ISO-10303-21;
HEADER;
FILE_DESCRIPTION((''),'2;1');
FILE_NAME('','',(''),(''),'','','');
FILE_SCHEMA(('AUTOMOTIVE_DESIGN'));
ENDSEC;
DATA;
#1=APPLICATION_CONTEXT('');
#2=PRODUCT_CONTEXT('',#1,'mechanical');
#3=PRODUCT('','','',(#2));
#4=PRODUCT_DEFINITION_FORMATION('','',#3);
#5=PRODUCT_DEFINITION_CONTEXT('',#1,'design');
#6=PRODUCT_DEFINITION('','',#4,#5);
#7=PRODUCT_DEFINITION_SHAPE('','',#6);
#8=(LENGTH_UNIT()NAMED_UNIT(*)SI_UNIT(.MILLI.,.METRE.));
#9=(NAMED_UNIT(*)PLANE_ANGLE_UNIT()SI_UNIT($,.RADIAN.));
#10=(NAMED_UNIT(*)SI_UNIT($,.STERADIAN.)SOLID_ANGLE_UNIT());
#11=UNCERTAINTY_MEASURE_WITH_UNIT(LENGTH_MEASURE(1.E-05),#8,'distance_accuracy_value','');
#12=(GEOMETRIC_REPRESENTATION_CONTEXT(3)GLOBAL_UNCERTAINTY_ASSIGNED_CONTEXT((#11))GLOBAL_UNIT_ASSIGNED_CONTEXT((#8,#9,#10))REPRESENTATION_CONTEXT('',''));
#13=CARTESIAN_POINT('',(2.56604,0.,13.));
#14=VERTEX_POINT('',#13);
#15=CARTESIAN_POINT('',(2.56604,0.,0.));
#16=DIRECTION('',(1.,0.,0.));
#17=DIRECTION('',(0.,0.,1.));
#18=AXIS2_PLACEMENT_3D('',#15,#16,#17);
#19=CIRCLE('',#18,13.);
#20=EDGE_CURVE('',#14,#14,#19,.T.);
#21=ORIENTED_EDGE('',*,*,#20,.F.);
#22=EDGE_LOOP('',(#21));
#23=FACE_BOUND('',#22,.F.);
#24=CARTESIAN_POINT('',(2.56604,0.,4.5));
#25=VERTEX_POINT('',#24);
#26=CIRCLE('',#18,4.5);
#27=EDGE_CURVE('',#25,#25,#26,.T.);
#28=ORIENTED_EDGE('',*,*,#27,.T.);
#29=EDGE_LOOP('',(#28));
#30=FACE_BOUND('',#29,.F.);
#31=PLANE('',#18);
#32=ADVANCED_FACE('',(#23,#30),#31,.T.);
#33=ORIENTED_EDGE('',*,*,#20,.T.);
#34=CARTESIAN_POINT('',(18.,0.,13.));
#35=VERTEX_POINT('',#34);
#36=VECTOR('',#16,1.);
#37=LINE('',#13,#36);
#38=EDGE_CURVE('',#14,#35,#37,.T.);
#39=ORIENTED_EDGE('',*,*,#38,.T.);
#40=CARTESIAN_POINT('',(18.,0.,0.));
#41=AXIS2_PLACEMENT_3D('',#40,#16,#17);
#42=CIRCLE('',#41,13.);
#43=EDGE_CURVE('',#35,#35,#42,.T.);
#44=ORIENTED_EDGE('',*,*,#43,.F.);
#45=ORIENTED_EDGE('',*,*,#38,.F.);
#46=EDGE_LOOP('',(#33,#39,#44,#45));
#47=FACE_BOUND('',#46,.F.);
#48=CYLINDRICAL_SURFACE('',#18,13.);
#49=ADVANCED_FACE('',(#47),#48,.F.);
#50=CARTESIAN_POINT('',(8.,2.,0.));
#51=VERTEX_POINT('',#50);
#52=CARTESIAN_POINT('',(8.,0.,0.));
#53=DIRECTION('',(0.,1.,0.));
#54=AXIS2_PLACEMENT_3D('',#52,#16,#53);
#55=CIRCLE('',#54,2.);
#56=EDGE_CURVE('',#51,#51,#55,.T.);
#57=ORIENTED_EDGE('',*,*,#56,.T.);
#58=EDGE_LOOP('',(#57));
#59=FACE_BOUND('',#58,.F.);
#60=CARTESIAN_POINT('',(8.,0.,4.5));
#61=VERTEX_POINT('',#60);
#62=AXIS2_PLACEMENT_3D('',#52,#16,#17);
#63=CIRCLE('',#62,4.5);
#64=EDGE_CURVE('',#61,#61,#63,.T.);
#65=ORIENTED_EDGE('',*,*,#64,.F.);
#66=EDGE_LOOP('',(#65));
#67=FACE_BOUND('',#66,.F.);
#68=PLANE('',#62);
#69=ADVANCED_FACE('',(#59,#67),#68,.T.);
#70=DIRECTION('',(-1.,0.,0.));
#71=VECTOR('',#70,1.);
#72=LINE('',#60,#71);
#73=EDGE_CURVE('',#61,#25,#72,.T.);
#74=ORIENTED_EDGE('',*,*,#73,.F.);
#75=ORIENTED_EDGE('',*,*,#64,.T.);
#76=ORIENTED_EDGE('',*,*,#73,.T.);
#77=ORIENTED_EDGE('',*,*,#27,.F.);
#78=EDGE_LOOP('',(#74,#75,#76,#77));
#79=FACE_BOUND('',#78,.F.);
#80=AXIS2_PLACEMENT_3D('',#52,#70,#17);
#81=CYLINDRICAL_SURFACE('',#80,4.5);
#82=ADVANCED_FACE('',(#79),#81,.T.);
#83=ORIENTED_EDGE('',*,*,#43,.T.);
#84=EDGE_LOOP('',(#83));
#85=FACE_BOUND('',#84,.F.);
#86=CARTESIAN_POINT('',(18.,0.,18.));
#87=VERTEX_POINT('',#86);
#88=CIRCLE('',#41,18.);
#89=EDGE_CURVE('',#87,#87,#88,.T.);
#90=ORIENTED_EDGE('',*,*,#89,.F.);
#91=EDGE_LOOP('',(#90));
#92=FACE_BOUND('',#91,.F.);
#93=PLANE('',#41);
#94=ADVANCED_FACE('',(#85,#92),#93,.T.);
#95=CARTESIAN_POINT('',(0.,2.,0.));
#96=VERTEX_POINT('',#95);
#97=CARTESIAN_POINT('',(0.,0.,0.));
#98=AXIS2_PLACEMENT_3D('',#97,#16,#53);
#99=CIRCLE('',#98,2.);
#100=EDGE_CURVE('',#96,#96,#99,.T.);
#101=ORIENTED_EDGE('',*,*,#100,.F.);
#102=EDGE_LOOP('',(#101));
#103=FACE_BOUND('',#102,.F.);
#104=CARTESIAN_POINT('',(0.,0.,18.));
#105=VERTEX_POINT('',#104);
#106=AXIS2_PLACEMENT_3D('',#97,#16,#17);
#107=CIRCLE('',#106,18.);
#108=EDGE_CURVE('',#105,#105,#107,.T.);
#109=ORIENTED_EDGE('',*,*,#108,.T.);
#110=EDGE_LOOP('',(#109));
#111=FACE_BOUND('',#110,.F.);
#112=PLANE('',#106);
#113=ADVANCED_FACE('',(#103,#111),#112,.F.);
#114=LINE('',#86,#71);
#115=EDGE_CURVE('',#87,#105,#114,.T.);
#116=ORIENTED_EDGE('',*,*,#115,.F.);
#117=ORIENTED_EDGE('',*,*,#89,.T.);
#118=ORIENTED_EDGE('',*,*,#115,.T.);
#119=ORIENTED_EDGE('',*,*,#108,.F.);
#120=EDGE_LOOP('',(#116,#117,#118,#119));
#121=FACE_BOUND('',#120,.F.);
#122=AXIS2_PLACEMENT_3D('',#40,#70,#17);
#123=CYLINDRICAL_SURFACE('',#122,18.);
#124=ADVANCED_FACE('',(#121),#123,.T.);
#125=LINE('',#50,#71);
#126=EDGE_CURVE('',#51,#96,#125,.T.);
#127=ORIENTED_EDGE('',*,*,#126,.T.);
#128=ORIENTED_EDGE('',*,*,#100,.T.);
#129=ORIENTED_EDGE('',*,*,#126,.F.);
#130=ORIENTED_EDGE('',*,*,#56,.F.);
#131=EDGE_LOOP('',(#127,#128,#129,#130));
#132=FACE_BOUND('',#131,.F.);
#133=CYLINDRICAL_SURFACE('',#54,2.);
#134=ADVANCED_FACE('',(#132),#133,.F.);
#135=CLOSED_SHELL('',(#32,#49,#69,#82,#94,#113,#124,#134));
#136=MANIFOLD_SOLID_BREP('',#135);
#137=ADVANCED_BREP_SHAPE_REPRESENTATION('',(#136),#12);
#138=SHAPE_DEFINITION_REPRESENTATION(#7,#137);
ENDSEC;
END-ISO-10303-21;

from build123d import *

# Parameters (mm, degrees)
F2_R     = 2
F3_DEPTH = 25


with BuildPart() as f1:
    # F0 (on Front) → F1 (revolve)
    with BuildSketch(Plane.XZ):
        Polygon((0, 18), (0, 0), (8, 0), (8, 4.5), (2.56604, 4.5), (2.56604, 13), (18, 13), (18, 18), align=None)
    revolve(axis=Axis((1.852863, 0, 0), (1, 0, 0)))

    # F2 (on face) → F3 (cut)
    with BuildSketch(Plane.YZ.offset(8)):
        Circle(F2_R)
    extrude(amount=-F3_DEPTH, mode=Mode.SUBTRACT)


solid = f1.part
